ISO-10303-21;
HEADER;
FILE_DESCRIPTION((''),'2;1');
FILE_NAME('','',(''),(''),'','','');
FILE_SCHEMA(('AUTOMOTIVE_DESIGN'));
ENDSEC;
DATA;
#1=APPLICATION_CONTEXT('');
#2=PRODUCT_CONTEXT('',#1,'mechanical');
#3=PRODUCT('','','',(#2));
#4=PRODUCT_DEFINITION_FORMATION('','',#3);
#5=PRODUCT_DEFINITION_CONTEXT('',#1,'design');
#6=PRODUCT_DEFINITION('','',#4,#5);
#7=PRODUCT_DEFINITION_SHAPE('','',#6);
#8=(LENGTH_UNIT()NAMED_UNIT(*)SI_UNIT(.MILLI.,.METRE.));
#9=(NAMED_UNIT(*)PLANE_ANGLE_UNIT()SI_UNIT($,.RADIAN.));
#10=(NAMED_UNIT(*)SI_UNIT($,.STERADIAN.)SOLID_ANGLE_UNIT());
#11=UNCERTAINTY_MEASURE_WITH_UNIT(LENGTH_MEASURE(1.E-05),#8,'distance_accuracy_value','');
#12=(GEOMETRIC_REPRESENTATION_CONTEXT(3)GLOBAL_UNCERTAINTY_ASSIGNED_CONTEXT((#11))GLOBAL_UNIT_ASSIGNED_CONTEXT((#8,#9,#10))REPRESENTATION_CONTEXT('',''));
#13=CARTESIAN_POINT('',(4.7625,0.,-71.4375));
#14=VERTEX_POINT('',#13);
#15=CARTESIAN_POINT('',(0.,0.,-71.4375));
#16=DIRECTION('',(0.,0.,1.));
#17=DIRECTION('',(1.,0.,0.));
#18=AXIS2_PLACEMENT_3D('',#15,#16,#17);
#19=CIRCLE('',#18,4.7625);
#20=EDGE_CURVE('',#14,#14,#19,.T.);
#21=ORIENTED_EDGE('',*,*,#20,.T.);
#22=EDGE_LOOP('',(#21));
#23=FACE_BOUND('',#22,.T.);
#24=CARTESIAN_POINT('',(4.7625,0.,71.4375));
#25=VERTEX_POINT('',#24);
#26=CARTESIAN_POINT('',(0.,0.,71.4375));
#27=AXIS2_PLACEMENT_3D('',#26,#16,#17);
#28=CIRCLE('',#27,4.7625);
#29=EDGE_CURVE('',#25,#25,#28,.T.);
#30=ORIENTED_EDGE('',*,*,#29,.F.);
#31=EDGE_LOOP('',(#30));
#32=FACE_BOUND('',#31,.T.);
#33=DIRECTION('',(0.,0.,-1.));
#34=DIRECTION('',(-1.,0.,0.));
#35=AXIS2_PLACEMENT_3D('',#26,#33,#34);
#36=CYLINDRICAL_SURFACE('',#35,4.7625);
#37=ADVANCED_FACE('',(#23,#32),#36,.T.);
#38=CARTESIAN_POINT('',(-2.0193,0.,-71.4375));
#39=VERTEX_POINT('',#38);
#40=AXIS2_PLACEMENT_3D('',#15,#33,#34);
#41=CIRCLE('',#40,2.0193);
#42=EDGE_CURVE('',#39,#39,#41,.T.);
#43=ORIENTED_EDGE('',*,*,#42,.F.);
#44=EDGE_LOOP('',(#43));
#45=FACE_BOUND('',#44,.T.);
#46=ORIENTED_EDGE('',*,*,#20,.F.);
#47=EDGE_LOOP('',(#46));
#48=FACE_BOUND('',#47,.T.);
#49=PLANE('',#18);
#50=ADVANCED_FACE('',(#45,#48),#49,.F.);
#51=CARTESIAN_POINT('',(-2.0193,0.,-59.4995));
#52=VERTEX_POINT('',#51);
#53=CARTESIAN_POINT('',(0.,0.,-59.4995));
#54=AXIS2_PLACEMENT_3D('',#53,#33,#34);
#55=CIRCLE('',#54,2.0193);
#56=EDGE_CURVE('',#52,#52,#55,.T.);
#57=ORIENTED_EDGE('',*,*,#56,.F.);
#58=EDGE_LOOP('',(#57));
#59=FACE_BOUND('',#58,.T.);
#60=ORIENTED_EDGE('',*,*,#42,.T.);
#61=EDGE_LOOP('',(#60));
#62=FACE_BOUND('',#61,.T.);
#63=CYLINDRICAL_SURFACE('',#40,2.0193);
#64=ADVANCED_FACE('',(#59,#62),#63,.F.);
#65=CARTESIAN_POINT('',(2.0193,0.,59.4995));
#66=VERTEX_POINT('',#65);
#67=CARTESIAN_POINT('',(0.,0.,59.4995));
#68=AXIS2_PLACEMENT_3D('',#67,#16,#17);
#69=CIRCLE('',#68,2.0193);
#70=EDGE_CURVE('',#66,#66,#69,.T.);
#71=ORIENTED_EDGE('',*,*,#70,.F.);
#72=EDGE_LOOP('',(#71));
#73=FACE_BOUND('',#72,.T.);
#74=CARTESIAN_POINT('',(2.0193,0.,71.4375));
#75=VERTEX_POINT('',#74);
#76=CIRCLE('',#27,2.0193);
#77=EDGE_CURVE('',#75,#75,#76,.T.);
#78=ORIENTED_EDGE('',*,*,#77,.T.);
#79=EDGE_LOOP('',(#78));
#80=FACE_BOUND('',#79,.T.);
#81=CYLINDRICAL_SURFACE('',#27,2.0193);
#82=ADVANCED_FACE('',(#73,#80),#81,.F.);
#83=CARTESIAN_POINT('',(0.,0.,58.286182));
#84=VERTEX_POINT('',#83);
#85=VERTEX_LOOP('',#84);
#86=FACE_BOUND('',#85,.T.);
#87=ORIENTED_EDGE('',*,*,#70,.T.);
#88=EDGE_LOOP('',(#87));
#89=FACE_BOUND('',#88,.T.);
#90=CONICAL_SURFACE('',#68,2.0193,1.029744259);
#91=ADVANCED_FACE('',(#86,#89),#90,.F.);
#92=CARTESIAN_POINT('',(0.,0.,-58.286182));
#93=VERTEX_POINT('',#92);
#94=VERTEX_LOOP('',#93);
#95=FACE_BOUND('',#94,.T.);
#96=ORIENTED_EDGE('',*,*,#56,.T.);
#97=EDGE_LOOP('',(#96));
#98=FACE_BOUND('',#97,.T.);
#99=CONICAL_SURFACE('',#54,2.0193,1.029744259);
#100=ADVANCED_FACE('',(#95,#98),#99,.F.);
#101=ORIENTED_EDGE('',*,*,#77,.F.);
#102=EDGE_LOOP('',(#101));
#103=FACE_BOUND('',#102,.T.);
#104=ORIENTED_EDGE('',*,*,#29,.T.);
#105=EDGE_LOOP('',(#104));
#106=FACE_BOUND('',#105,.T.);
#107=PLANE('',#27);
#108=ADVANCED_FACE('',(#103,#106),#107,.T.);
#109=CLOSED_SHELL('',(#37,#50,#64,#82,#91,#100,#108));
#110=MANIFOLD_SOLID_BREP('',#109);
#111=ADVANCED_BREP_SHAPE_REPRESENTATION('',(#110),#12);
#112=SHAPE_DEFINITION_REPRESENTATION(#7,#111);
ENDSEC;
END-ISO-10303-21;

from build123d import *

# Parameters (mm, degrees)
SKETCH1_R                            = 4.7625
BOSS_EXTRUDE1_DEPTH                  = 71.4375
F_10_32_TAPPED_HOLE1_D               = 4.0386
F_10_32_TAPPED_HOLE1_DEPTH           = 11.938
F_10_32_TAPPED_HOLE1_TIP             = 1.213317848
F_10_32_TAPPED_HOLE1_ON_FACE_2_D     = 4.0386
F_10_32_TAPPED_HOLE1_ON_FACE_2_DEPTH = 11.938
F_10_32_TAPPED_HOLE1_ON_FACE_2_TIP   = 1.213317848


with BuildPart() as part:
    # Sketch1 → Boss-Extrude1 (new, symmetric)
    with BuildSketch(Plane.XY):
        Circle(SKETCH1_R)
    extrude(amount=BOSS_EXTRUDE1_DEPTH, both=True)

    # #10-32 Tapped Hole1
    with Locations(Plane.XY.offset(71.4375)):
        with Locations((0, 0)):
            Hole(F_10_32_TAPPED_HOLE1_D / 2, depth=F_10_32_TAPPED_HOLE1_DEPTH)
            with Locations((0, 0, -(F_10_32_TAPPED_HOLE1_DEPTH + F_10_32_TAPPED_HOLE1_TIP / 2))):  # 118° drill point
                Cone(0, F_10_32_TAPPED_HOLE1_D / 2, F_10_32_TAPPED_HOLE1_TIP, mode=Mode.SUBTRACT)

    # #10-32 Tapped Hole1 on face 2
    with Locations(Plane(origin=(0, 0, -71.4375), x_dir=(-1, 0, 0), z_dir=(0, 0, -1))):
        with Locations((0, 0)):
            Hole(F_10_32_TAPPED_HOLE1_ON_FACE_2_D / 2, depth=F_10_32_TAPPED_HOLE1_ON_FACE_2_DEPTH)
            with Locations((0, 0, -(F_10_32_TAPPED_HOLE1_ON_FACE_2_DEPTH + F_10_32_TAPPED_HOLE1_ON_FACE_2_TIP / 2))):  # 118° drill point
                Cone(0, F_10_32_TAPPED_HOLE1_ON_FACE_2_D / 2, F_10_32_TAPPED_HOLE1_ON_FACE_2_TIP, mode=Mode.SUBTRACT)


solid = part.part
